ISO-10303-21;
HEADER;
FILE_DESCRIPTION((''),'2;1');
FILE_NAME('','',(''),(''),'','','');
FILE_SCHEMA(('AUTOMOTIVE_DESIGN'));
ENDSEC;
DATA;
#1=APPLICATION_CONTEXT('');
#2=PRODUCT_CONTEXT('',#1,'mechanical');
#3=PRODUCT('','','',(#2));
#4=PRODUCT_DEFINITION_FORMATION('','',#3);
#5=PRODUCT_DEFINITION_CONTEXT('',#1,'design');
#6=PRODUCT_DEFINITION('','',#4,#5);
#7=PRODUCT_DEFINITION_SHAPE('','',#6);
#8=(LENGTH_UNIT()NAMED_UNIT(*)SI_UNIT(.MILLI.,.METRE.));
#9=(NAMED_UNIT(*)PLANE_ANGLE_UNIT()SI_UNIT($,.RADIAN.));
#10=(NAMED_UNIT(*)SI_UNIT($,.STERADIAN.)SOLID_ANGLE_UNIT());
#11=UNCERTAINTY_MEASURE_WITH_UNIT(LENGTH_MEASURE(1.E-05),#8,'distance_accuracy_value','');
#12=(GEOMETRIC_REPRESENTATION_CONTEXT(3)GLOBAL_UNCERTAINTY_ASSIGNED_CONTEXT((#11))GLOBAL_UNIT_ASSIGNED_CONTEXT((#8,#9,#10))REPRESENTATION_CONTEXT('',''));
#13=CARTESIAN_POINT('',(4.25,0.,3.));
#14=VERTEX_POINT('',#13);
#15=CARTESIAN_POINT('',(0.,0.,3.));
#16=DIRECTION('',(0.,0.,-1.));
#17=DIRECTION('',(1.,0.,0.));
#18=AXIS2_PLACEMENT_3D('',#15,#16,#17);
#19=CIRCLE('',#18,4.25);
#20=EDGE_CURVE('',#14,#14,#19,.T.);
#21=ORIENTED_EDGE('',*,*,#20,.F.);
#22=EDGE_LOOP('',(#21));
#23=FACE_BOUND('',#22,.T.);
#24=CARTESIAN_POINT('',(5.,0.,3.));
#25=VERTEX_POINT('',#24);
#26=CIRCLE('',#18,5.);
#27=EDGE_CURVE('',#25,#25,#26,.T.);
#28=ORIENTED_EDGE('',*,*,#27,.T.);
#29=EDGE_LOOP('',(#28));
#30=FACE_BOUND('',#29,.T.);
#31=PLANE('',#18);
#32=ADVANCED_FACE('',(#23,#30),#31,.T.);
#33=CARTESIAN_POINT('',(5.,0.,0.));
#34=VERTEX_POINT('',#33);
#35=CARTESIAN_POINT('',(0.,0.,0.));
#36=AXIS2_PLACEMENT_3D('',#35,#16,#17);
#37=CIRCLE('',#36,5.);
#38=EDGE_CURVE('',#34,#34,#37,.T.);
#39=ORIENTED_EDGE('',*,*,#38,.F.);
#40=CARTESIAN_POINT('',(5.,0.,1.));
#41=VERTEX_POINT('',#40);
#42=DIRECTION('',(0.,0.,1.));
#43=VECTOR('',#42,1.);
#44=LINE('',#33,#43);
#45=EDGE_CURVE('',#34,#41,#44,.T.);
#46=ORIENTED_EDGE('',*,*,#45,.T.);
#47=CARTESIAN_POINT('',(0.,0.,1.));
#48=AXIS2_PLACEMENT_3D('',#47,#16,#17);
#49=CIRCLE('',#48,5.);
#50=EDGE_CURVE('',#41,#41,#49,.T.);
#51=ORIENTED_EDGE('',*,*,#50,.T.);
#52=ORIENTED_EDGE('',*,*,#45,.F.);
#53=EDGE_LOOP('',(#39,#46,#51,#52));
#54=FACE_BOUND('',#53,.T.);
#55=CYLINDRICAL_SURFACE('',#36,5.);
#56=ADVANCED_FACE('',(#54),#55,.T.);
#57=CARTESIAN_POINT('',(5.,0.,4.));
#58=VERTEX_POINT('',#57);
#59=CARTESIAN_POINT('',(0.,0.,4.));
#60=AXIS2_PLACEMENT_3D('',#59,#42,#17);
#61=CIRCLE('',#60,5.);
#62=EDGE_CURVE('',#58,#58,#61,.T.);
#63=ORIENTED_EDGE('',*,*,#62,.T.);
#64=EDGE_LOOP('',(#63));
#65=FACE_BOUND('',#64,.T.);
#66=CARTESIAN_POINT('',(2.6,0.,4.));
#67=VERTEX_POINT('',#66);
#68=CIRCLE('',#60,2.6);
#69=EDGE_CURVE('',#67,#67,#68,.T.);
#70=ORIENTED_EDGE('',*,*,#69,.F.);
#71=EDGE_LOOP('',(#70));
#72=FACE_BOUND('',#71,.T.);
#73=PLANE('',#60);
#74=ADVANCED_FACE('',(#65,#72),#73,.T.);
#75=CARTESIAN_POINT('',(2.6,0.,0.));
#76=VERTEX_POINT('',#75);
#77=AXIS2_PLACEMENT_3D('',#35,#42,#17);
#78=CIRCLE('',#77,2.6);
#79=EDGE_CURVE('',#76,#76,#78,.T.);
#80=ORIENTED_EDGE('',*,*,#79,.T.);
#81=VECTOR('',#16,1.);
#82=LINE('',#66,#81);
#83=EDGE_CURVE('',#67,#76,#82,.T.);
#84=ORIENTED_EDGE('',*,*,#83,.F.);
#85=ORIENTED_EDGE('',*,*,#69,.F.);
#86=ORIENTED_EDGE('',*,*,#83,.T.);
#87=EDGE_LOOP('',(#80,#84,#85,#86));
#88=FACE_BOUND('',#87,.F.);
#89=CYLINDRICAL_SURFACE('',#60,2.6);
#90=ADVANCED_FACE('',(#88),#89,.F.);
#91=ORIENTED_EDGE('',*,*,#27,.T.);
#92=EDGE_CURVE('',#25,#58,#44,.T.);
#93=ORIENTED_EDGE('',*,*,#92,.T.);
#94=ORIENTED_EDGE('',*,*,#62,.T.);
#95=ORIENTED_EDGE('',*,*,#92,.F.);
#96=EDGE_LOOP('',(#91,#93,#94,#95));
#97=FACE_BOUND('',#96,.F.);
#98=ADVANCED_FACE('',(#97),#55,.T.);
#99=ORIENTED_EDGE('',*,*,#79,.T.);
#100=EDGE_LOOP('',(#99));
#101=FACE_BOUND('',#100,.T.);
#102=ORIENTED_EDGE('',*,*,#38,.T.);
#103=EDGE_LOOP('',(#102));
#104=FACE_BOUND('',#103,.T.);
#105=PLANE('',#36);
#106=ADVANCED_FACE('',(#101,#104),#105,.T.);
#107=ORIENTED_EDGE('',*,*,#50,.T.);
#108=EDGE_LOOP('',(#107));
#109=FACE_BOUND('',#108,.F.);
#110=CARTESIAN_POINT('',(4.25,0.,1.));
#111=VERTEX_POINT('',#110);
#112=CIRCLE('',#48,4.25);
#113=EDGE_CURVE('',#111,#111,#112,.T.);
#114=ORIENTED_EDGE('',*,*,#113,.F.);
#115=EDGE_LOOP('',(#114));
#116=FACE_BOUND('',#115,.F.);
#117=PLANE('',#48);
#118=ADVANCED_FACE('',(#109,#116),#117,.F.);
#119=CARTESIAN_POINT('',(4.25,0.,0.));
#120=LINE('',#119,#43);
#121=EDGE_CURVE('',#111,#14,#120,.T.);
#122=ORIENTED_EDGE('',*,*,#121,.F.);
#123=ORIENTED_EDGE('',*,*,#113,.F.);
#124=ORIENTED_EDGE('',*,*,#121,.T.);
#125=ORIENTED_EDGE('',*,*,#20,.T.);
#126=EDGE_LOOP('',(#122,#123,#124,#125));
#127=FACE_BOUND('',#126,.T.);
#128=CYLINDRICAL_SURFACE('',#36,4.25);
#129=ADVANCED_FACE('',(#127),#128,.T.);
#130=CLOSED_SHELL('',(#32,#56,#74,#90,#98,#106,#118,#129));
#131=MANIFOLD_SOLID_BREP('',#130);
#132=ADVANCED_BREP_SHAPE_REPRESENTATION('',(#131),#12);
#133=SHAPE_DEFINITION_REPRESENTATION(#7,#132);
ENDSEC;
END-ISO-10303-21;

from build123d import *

# Parameters (mm, degrees)
F0_R     = 5
F1_DEPTH = 4
F3_R     = 5
F3_R_2   = 4.25
F4_DEPTH = 3
F2_R     = 2.6
F5_DEPTH = 4.001
F6_DEPTH = 1


with BuildPart() as f1:
    # F0 (on Top) → F1 (new body)
    with BuildSketch(Plane.XY):
        Circle(F0_R)
    extrude(amount=F1_DEPTH)

    # F3 (on face) → F4 (cut)
    with BuildSketch(Plane(origin=(0, 0, 0), x_dir=(1, 0, 0), z_dir=(0, 0, -1))):
        Circle(F3_R)
        Circle(F3_R_2, mode=Mode.SUBTRACT)
    extrude(amount=-F4_DEPTH, mode=Mode.SUBTRACT)

    # F2 (on face) → F5 (cut, through all)
    with BuildSketch(Plane.XY.offset(4)):
        Circle(F2_R)
    extrude(amount=-F5_DEPTH, mode=Mode.SUBTRACT)

    # F3 (on face) → F6 (join)
    with BuildSketch(Plane(origin=(0, 0, 0), x_dir=(1, 0, 0), z_dir=(0, 0, -1))):
        Circle(F3_R)
        Circle(F3_R_2, mode=Mode.SUBTRACT)
    extrude(amount=-F6_DEPTH)


solid = f1.part
